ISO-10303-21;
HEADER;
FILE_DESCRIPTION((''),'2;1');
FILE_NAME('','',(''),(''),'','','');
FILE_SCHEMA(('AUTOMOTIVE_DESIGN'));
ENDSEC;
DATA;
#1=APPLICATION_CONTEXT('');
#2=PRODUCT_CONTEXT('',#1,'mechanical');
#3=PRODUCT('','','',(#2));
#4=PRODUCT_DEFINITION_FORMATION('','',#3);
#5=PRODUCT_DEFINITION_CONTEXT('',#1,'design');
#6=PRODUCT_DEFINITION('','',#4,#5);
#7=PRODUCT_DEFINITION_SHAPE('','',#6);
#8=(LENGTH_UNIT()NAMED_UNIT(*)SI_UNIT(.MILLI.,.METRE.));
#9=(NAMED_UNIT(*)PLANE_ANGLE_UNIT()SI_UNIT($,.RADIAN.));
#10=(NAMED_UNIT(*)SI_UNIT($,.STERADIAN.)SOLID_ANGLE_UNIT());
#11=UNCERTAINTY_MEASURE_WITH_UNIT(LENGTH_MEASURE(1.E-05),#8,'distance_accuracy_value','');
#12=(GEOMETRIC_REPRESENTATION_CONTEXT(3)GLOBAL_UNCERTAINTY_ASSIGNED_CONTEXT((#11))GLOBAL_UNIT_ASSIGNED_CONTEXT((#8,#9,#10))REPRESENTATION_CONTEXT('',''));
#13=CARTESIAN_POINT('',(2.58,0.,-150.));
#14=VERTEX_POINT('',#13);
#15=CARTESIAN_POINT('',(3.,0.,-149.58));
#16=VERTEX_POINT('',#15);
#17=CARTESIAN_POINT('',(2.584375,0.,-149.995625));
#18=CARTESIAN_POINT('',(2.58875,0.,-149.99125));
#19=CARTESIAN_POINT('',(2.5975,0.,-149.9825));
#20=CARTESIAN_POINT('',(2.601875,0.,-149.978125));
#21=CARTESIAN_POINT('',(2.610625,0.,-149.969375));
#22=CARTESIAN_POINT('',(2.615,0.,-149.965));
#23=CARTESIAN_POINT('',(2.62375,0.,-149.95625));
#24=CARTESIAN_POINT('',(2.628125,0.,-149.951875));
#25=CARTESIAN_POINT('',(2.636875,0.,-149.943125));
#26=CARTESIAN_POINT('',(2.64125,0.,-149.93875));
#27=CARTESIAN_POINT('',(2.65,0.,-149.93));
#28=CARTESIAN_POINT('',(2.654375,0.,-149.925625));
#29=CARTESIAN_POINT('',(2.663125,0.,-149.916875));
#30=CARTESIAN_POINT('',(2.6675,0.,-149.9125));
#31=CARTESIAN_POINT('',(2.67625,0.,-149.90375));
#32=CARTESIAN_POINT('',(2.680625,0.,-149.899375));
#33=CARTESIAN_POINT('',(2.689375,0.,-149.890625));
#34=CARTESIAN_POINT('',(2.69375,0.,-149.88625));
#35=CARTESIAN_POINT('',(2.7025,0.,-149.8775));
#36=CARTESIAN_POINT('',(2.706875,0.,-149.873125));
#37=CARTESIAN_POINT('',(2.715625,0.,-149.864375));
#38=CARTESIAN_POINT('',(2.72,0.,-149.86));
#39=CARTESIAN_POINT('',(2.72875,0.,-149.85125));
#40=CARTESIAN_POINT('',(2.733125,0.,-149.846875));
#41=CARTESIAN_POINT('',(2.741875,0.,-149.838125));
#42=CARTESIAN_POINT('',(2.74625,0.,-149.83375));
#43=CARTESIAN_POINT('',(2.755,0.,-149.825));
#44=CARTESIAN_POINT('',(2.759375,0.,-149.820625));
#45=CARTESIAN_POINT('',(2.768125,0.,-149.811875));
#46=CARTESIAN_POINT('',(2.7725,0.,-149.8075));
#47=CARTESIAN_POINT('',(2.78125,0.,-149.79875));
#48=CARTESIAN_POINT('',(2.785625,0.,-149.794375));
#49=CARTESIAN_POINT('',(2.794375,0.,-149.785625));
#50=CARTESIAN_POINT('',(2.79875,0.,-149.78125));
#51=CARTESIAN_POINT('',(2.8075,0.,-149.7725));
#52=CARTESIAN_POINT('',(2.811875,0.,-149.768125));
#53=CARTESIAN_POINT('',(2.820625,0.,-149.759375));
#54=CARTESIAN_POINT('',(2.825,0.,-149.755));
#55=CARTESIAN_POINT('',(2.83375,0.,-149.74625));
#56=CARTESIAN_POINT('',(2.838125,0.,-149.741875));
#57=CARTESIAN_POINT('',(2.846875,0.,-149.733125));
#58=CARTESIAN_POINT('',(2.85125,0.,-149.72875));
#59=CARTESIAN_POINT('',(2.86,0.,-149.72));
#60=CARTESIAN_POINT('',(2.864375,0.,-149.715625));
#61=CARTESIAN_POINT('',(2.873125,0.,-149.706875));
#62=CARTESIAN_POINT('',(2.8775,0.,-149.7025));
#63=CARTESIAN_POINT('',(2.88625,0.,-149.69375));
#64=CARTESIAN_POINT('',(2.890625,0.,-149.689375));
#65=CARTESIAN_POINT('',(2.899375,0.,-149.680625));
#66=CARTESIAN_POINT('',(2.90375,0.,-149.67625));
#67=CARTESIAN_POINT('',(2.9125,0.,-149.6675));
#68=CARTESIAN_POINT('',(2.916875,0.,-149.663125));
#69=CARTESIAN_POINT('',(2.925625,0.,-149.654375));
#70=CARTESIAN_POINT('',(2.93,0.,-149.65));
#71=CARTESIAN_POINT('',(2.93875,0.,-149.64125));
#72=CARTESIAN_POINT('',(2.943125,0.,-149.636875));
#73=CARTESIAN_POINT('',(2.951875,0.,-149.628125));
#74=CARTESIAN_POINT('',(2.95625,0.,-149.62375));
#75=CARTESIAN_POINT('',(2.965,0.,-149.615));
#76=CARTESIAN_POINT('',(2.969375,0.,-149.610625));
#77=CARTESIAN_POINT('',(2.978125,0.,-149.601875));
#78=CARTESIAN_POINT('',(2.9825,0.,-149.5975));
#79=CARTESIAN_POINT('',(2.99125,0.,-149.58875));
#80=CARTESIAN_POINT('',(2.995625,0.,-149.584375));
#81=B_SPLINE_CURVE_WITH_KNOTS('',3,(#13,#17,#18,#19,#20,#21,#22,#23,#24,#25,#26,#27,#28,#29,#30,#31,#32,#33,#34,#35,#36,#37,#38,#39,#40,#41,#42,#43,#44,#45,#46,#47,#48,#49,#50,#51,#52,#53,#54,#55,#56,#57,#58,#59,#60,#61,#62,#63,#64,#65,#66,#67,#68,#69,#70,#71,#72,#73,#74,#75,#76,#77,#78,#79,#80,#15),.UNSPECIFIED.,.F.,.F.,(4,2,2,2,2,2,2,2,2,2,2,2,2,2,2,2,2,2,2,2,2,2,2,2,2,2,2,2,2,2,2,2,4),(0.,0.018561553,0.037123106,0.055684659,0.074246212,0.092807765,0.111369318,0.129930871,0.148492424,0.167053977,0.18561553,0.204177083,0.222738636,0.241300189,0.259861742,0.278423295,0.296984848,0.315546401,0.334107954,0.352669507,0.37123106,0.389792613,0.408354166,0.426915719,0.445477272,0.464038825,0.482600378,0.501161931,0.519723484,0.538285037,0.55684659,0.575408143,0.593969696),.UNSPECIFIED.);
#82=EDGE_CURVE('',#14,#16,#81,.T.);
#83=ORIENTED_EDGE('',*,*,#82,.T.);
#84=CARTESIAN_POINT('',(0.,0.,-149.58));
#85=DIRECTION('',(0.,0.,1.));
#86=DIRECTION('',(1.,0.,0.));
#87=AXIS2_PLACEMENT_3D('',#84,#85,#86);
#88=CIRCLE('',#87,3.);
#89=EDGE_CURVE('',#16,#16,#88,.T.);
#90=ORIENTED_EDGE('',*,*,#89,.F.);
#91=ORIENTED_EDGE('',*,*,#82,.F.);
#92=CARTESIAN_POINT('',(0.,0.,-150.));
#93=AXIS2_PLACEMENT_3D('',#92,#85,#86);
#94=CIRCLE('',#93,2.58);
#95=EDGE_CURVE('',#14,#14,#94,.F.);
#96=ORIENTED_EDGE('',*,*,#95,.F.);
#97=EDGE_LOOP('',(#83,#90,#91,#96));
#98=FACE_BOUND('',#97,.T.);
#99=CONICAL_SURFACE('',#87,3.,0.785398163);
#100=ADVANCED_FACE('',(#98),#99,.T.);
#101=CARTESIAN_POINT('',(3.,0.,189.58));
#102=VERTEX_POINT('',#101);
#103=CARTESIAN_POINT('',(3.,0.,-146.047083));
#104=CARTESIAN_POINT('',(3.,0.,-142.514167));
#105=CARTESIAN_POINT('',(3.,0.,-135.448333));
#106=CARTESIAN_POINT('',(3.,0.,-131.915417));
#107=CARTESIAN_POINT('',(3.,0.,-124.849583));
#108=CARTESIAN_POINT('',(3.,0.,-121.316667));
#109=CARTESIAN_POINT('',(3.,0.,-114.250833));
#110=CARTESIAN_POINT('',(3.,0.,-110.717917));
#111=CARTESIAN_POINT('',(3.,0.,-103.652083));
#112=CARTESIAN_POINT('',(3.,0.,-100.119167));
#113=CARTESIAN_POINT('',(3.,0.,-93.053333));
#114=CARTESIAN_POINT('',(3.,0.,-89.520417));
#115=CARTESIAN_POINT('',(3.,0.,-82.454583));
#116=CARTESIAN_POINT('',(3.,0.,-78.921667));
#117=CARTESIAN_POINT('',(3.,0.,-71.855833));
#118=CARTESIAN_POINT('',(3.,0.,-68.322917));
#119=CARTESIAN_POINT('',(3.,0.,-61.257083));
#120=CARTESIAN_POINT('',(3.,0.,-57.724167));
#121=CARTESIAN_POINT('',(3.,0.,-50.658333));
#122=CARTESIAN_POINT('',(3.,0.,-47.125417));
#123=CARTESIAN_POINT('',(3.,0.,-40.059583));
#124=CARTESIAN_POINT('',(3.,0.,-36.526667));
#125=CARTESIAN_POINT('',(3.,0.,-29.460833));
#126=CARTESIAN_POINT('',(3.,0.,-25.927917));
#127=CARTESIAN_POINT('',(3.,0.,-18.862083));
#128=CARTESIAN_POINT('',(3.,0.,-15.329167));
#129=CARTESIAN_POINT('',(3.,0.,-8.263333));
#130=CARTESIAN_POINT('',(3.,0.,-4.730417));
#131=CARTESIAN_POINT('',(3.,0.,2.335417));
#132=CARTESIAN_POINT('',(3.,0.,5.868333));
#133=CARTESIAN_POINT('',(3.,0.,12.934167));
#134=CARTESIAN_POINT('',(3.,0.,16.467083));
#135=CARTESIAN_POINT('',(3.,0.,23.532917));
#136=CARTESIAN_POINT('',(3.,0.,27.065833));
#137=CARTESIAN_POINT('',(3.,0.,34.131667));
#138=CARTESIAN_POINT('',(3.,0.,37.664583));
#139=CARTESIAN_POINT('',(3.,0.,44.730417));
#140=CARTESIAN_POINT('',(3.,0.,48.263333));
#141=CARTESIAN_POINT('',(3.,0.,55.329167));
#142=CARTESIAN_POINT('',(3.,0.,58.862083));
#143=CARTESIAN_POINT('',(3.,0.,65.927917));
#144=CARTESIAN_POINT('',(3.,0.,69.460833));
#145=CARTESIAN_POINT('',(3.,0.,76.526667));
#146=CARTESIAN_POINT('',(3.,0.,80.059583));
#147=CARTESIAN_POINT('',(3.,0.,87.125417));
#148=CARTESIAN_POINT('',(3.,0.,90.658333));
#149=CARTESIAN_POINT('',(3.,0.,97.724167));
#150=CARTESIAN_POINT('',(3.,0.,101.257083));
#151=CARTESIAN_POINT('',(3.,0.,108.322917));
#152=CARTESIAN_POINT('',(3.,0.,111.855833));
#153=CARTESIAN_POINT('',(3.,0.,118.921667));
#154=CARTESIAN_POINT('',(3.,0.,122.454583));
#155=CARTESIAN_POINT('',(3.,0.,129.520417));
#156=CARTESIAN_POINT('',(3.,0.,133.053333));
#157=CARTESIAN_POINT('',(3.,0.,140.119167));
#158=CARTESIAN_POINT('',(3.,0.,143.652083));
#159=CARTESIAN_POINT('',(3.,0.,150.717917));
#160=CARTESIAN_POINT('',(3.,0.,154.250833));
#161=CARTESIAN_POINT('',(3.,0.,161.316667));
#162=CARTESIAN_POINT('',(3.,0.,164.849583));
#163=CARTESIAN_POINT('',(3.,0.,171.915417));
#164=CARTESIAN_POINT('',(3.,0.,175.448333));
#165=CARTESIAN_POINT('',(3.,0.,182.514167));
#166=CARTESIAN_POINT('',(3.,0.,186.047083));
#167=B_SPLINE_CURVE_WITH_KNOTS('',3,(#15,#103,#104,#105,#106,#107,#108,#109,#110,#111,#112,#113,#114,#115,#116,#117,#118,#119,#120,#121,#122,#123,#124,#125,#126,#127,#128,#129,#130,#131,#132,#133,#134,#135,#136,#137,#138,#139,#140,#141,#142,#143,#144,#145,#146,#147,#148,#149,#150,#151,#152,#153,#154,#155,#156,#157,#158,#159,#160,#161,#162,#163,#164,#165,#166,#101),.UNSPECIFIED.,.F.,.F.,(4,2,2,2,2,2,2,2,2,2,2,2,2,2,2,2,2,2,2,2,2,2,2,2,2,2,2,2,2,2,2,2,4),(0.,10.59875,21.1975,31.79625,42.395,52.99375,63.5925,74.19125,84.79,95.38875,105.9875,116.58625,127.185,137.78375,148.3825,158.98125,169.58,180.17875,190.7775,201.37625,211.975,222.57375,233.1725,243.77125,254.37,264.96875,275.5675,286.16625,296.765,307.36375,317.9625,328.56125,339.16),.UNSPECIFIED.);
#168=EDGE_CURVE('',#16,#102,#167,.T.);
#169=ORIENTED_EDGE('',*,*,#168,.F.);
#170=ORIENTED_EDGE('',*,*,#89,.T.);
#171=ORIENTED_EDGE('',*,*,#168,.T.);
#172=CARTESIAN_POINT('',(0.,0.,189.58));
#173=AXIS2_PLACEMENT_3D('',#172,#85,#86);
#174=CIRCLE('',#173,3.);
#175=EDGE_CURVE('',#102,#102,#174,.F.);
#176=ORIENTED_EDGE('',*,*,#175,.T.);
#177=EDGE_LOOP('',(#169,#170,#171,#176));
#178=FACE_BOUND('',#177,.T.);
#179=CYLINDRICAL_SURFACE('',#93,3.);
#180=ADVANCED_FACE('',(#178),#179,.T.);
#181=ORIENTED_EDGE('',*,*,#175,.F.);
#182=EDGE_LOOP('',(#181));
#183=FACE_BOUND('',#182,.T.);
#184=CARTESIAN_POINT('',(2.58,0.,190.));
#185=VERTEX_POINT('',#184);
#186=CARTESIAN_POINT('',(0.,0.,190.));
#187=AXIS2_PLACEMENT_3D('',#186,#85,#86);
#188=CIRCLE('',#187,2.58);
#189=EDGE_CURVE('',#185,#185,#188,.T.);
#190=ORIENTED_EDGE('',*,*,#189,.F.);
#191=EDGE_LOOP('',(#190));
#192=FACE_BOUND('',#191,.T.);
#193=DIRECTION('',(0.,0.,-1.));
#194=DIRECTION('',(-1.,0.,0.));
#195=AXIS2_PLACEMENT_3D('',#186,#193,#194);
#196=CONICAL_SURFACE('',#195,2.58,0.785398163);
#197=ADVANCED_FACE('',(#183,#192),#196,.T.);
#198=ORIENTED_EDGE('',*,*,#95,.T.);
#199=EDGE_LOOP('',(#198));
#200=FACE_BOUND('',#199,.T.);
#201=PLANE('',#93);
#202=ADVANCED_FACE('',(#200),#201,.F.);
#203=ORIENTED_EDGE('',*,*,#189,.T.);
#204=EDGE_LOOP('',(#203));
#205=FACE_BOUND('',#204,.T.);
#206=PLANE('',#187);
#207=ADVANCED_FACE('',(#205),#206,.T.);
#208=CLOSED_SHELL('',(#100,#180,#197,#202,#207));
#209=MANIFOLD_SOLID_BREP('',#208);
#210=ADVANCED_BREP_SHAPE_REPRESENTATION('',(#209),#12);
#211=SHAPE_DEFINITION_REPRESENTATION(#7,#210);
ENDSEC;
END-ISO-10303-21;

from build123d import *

# Parameters (mm, degrees)
BOSS_EXTRUDE1_DEPTH      = 190
BOSS_EXTRUDE1_DEPTH_BACK = 150
SKETCH3_R                = 3
CHAMFER1_SIZE            = 0.42


with BuildPart() as part:
    # Sketch3 → Boss-Extrude1 (new, two sides: drawn at the far end of the back side and taken through both)
    with BuildSketch(Plane.XY.offset(-BOSS_EXTRUDE1_DEPTH_BACK)):
        Circle(SKETCH3_R)
    extrude(amount=BOSS_EXTRUDE1_DEPTH + BOSS_EXTRUDE1_DEPTH_BACK)

    # Chamfer1
    chamfer1_edges = [part.edges().sort_by_distance(p)[0] for p in [
        (-3, 0, -150),
        (-3, 0, 190),
    ]]
    chamfer(chamfer1_edges, length=CHAMFER1_SIZE)


solid = part.part
